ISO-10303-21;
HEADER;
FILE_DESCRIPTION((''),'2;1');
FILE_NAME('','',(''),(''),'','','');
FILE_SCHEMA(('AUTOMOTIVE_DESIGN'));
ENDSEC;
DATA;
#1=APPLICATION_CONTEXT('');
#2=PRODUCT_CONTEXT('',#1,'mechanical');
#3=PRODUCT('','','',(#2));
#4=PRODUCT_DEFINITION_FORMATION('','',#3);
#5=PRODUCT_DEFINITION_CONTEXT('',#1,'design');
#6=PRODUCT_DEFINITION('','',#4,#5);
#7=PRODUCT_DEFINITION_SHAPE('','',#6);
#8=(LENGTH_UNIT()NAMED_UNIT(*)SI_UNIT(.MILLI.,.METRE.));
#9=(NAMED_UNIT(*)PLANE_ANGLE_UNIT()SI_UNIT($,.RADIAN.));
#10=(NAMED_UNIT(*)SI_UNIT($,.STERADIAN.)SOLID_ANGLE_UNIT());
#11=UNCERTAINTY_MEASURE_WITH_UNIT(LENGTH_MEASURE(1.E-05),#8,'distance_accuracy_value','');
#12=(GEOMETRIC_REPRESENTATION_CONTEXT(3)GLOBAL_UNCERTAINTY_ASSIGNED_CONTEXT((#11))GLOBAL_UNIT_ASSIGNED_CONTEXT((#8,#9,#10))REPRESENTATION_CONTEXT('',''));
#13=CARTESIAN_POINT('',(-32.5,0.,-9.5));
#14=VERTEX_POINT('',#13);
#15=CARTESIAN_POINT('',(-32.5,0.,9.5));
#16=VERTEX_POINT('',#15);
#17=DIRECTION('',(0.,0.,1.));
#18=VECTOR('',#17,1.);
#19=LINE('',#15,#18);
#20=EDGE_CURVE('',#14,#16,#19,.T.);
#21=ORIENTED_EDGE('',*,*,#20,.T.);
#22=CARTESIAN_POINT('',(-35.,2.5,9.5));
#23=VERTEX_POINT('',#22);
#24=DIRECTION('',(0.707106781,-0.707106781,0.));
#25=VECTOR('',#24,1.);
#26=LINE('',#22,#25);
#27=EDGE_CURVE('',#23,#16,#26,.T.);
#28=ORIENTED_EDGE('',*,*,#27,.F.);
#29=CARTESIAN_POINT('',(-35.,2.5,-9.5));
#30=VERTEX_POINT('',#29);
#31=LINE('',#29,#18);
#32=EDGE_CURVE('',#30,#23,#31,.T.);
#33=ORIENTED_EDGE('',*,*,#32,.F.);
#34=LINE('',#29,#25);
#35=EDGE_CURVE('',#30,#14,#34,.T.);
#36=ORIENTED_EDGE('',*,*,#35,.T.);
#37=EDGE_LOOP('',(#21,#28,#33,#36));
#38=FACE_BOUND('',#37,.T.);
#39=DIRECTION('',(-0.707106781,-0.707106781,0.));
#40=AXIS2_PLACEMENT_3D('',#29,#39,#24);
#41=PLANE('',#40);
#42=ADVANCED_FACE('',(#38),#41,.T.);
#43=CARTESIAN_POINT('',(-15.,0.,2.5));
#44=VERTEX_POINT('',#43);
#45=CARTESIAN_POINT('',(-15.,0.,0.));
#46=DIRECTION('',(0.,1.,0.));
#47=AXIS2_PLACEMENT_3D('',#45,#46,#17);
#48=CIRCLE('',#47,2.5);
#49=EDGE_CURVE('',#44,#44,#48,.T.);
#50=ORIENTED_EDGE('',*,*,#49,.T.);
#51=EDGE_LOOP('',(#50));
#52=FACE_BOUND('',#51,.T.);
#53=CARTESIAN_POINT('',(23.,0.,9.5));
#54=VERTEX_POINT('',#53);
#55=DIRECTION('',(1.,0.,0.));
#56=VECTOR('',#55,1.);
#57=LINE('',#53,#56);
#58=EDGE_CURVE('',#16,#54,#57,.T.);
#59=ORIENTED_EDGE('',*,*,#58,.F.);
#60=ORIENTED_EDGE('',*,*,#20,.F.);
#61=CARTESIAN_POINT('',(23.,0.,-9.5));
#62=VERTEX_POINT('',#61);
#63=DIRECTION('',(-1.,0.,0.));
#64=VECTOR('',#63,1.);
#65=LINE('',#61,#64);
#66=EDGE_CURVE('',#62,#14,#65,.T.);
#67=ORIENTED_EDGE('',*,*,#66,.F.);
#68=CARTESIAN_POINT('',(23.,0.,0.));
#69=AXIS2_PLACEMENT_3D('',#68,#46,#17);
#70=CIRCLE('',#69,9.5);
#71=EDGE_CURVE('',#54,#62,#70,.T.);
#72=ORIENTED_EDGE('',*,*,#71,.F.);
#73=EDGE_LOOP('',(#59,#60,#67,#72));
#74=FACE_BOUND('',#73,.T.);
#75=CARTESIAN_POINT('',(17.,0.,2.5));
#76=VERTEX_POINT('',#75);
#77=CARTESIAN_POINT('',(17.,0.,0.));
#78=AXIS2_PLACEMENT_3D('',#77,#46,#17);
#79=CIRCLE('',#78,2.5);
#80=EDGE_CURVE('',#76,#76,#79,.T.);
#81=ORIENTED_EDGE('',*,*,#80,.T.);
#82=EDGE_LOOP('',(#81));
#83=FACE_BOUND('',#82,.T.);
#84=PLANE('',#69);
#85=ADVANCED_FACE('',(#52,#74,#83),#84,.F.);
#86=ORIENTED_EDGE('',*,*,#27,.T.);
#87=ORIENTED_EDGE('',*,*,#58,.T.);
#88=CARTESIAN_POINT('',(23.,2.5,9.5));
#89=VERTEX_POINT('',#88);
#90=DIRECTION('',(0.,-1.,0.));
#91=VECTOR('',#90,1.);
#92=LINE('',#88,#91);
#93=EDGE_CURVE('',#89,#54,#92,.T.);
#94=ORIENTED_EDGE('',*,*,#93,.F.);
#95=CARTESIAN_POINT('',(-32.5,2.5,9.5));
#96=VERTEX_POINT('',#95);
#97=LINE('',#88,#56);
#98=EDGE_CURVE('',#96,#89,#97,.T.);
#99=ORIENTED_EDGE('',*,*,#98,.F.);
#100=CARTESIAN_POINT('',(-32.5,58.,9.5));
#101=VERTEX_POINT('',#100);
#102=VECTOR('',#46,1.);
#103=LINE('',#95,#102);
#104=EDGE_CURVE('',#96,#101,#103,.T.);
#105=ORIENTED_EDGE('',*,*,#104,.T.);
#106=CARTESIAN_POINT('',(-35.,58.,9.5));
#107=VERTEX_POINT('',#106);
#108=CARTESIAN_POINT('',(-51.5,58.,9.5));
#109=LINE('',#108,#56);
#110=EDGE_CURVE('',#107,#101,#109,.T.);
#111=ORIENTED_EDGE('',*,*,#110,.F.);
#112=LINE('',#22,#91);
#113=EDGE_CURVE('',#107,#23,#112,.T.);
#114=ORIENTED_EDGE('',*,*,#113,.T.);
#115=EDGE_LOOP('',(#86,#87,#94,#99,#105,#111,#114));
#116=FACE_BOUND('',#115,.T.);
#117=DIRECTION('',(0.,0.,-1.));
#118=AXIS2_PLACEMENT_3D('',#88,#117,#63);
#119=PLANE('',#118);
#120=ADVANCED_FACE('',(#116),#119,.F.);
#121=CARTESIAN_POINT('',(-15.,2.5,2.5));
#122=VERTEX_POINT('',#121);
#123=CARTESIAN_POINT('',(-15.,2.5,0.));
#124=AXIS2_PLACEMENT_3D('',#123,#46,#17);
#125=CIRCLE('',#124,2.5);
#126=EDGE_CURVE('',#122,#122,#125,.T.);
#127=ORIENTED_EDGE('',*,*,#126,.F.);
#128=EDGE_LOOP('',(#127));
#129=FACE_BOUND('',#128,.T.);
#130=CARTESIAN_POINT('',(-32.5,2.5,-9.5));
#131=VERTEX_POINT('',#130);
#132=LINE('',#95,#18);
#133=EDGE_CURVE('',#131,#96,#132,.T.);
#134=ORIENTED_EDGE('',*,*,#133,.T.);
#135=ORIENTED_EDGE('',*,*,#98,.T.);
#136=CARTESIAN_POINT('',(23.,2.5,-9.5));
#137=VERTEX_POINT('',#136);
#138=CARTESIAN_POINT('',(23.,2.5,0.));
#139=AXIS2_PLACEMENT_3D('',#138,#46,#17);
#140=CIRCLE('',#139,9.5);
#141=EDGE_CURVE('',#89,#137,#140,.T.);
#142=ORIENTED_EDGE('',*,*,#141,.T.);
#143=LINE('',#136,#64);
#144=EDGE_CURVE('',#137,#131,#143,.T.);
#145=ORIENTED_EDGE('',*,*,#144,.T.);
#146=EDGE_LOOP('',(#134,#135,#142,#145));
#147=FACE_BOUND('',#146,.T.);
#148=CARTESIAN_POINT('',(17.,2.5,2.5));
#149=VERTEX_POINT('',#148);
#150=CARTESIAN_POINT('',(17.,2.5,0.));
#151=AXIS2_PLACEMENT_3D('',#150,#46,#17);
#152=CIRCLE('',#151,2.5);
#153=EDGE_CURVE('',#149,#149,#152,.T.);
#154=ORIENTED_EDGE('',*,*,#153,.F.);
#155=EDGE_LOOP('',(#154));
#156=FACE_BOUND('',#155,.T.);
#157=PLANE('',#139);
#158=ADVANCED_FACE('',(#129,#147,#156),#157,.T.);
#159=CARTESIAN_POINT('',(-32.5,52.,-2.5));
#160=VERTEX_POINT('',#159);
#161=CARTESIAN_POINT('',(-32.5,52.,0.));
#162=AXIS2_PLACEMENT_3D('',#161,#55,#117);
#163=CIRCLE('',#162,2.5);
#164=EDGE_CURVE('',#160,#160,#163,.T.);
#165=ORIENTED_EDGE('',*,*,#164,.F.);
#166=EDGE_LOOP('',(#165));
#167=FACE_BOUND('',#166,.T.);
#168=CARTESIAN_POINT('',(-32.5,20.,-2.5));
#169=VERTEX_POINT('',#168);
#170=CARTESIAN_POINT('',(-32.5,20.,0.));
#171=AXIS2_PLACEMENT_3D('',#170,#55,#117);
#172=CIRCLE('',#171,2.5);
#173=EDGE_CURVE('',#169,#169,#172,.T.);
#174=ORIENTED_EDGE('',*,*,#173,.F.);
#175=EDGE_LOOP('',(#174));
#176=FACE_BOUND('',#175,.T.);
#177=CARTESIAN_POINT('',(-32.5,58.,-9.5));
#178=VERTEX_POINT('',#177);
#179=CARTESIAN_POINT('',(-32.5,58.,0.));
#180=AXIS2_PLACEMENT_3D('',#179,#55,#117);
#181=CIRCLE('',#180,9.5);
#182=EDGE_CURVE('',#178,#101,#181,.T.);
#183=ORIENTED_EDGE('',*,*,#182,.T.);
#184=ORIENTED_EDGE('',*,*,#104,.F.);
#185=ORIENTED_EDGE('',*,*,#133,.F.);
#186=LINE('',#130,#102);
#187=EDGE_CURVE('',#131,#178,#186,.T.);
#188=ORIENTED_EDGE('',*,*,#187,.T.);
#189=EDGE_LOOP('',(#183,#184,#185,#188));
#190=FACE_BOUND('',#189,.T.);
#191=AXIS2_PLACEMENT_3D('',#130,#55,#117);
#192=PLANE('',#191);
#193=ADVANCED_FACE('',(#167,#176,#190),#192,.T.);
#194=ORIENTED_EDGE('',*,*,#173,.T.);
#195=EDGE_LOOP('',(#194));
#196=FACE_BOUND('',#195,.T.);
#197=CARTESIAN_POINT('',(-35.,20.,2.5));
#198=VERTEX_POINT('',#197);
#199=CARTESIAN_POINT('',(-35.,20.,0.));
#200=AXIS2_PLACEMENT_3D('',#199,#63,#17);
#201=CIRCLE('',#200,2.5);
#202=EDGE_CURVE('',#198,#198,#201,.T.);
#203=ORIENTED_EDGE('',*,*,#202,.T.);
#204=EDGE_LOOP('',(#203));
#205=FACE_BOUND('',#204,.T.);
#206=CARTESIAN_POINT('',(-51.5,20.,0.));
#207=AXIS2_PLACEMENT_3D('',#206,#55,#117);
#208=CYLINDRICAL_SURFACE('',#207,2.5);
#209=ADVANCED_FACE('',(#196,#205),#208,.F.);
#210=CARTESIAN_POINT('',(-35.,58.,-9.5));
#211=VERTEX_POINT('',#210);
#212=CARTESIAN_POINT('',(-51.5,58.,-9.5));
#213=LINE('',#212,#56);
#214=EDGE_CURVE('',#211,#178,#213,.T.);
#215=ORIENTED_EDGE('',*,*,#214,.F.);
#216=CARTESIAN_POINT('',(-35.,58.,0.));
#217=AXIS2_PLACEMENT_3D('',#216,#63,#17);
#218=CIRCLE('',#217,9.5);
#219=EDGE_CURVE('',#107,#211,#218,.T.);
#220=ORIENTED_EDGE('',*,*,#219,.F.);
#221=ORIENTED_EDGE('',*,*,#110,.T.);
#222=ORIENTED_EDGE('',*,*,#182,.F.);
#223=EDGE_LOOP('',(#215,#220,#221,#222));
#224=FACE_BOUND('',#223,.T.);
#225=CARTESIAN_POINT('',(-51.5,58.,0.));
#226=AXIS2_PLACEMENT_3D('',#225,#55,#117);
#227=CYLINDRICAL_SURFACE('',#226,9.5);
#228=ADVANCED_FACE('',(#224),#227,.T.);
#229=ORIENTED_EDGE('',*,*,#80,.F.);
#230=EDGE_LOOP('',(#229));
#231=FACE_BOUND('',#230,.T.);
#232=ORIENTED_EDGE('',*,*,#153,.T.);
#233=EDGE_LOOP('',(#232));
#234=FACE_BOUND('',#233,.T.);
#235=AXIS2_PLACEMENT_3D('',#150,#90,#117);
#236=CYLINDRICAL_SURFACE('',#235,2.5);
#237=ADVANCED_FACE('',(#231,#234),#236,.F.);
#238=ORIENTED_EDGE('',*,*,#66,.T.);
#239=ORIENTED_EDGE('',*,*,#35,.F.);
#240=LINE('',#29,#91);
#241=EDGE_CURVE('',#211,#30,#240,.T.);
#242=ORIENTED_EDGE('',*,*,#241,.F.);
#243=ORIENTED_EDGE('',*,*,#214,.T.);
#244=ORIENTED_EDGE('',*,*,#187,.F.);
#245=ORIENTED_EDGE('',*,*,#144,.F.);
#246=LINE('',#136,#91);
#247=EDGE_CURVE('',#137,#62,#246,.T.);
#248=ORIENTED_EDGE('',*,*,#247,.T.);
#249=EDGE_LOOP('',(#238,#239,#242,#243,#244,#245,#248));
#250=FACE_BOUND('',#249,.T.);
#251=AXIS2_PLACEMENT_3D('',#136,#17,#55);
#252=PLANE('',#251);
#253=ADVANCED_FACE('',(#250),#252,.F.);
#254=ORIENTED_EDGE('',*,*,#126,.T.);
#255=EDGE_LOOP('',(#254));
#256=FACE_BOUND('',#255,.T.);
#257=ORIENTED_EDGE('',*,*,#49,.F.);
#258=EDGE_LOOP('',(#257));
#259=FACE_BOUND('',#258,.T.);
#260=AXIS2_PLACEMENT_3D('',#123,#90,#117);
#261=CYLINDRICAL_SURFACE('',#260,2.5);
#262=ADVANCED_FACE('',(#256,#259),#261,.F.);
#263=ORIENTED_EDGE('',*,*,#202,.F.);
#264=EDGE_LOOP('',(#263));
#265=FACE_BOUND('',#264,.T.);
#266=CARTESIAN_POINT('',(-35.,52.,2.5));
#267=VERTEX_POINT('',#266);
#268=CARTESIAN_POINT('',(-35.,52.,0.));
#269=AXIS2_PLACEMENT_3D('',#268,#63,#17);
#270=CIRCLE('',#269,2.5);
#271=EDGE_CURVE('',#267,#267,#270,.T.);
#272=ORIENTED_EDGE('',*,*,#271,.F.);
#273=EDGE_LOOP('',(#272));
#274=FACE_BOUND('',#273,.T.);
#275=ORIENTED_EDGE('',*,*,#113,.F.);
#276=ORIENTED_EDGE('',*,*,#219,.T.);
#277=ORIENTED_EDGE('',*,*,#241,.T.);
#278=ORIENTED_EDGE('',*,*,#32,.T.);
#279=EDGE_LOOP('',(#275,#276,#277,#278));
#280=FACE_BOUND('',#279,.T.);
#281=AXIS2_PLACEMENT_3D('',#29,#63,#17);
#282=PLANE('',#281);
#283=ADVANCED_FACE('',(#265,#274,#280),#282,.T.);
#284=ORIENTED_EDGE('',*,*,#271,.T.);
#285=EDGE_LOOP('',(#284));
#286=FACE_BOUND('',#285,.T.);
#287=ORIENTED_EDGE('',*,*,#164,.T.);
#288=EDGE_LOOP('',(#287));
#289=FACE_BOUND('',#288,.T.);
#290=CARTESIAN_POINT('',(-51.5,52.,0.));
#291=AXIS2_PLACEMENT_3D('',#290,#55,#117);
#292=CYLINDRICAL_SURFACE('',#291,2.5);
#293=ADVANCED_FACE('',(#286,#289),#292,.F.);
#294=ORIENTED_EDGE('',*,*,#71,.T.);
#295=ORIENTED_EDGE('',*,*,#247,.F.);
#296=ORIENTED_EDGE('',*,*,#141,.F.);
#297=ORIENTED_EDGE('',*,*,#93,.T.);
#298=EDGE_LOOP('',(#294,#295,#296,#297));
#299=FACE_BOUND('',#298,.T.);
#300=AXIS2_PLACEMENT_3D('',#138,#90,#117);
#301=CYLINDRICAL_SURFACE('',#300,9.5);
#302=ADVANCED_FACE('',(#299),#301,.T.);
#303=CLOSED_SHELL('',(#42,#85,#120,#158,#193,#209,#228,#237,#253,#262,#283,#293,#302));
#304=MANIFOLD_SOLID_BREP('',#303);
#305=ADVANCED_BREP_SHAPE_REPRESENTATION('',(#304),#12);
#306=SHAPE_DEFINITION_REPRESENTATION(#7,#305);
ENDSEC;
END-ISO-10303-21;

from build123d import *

# Parameters (mm, degrees)
SKETCH_1_R          = 2.5
EXTRUDE_1_DEPTH     = 2.5
EXTRUDE_2_DEPTH     = 19
CUT_EXTRUDE_1_DEPTH = 19
SKETCH_4_R          = 2.5
CUT_EXTRUDE_2_DEPTH = 19


with BuildPart() as part:
    # 草图1 → 凸台-拉伸1 (new body)
    with BuildSketch(Plane(origin=(0, 0, 0), x_dir=(1, 0, 0), z_dir=(0, 1, 0))):
        with BuildLine():
            Line((23, -9.5), (-32.5, -9.5))
            Line((-32.5, -9.5), (-32.5, 9.5))
            Line((-32.5, 9.5), (23, 9.5))
            ThreePointArc((23, 9.5), (32.5, 0), (23, -9.5))
        make_face()
        with Locations((-15, 0)):
            Circle(SKETCH_1_R, mode=Mode.SUBTRACT)
        with Locations((17, 0)):
            Circle(SKETCH_1_R, mode=Mode.SUBTRACT)
    extrude(amount=EXTRUDE_1_DEPTH)

    # 草图2 → 凸台-拉伸2 (add)
    with BuildSketch(Plane.XY.offset(9.5)):
        Polygon((-35, 2.5), (-32.5, 0), (-32.5, 2.5), (-32.5, 67.5), (-35, 67.5), align=None)
    extrude(amount=-EXTRUDE_2_DEPTH)

    # 草图3 → 切除-拉伸1 (cut)
    with BuildSketch(Plane(origin=(-32.5, 0, 0), x_dir=(0, 0, -1), z_dir=(1, 0, 0))):
        with BuildLine():
            Line((9.5, 67.5), (0, 67.5))
            ThreePointArc((0, 67.5), (6.717514421, 64.717514421), (9.5, 58))
            Line((9.5, 58), (9.5, 67.5))
        make_face()
        with BuildLine():
            Line((0, 67.5), (-9.5, 67.5))
            Line((-9.5, 67.5), (-9.5, 58))
            ThreePointArc((-9.5, 58), (-6.717514421, 64.717514421), (0, 67.5))
        make_face()
    extrude(amount=-CUT_EXTRUDE_1_DEPTH, mode=Mode.SUBTRACT)

    # 草图4 → 切除-拉伸2 (cut)
    with BuildSketch(Plane(origin=(-32.5, 0, 0), x_dir=(0, 0, -1), z_dir=(1, 0, 0))):
        with Locations((0, 52)):
            Circle(SKETCH_4_R)
        with Locations((0, 20)):
            Circle(SKETCH_4_R)
    extrude(amount=-CUT_EXTRUDE_2_DEPTH, mode=Mode.SUBTRACT)


solid = part.part
